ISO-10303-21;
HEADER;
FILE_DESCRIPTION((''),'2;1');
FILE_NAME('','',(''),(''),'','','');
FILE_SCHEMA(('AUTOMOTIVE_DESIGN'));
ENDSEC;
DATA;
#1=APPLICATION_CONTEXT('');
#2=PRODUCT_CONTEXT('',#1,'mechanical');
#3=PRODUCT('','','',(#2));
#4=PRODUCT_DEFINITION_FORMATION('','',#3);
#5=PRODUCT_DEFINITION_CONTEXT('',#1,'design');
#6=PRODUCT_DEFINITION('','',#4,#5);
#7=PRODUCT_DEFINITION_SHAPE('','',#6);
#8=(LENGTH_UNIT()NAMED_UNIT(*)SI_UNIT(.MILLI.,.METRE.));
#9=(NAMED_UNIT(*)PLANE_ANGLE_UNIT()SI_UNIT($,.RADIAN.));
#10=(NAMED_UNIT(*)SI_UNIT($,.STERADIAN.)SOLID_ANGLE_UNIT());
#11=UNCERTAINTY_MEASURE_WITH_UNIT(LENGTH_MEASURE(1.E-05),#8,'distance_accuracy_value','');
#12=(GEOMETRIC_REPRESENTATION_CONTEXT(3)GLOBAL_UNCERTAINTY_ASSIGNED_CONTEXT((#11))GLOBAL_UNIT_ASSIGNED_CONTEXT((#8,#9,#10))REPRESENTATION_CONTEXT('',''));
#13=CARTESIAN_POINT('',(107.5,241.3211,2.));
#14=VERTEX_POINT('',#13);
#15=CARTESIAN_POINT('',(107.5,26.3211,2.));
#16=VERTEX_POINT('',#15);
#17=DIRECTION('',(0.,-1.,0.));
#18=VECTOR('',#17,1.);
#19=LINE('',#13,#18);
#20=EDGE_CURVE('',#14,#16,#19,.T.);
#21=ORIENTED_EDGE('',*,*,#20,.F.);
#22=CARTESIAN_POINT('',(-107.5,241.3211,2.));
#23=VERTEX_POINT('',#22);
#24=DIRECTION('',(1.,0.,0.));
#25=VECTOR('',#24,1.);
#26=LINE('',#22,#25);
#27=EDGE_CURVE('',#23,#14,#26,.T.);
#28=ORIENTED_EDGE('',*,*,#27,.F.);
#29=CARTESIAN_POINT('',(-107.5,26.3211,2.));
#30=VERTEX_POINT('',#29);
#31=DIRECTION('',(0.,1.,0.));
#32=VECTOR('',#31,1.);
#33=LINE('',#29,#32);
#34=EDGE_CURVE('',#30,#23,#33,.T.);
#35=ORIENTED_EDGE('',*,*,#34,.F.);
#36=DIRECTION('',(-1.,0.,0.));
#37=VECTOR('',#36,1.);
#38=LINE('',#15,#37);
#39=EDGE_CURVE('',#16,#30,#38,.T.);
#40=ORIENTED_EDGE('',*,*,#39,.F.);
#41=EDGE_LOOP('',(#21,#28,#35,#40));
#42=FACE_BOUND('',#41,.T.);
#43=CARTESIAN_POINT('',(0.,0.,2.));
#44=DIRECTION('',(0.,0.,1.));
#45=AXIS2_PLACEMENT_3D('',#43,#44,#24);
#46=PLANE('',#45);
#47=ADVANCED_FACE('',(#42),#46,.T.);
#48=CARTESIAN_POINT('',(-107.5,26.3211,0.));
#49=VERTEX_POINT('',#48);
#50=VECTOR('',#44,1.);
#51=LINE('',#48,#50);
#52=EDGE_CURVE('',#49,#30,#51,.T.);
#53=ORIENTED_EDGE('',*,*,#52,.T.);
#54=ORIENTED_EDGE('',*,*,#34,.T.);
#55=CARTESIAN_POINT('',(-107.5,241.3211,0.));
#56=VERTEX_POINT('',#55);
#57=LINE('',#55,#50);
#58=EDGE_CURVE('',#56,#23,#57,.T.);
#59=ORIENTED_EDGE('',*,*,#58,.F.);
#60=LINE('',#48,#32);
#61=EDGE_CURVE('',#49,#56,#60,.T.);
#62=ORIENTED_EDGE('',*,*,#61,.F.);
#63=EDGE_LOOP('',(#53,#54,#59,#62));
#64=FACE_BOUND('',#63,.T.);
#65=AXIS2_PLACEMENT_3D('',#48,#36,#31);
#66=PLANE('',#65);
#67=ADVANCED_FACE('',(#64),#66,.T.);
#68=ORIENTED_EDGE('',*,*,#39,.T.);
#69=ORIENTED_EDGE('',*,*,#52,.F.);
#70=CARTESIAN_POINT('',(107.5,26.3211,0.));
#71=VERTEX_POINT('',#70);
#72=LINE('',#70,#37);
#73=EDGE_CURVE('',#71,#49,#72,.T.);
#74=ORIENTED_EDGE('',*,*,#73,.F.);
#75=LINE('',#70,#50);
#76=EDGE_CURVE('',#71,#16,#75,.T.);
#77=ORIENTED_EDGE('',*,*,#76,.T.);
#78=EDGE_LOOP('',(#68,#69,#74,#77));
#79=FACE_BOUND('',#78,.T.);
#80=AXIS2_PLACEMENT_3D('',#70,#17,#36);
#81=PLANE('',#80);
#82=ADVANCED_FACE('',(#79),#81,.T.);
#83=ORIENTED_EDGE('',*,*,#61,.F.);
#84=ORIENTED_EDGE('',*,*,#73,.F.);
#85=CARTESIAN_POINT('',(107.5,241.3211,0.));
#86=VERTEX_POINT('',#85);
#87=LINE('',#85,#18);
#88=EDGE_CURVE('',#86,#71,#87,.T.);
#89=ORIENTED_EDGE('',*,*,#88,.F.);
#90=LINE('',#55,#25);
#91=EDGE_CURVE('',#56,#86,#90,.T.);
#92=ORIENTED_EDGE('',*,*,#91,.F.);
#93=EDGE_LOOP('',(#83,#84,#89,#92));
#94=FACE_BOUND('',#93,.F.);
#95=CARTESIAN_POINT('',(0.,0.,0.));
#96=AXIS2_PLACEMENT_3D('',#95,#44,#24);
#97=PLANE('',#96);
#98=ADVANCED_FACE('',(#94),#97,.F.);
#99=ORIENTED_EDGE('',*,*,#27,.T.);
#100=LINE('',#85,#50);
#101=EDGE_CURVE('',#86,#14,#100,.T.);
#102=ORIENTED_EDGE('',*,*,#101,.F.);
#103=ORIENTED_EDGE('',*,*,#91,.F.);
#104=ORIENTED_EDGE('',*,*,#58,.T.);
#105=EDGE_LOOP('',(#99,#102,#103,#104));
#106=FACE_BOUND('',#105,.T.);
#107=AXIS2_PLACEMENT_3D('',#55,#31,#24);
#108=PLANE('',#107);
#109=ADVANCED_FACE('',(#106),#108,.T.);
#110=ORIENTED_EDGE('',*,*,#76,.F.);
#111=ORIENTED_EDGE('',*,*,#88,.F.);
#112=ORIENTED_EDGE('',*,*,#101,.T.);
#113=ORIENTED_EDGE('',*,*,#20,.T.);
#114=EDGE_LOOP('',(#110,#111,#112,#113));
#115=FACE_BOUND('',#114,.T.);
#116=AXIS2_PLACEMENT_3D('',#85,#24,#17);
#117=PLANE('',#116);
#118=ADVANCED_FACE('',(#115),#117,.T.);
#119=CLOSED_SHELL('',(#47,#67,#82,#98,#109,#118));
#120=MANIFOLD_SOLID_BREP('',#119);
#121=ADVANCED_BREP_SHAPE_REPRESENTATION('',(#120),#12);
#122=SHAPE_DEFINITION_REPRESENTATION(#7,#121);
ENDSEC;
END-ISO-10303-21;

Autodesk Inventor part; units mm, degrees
ref_plane "YZ Plane" through (0, 0, 0) normal (1, 0, 0) x (0, 1, 0)
ref_plane "XZ Plane" through (0, 0, 0) normal (0, 1, 0) x (-1, 0, 0)
ref_plane "XY Plane" through (0, 0, 0) normal (0, 0, 1) x (1, 0, 0)
sketch "Sketch1" plane through (0, 0, 0) normal (0, 0, 1) x (1, 0, 0)
  line L0 (107.5, 26.3211) -> (-107.5, 26.3211)
  line L1 (-107.5, 26.3211) -> (-107.5, 241.3211)
  line L2 (-107.5, 241.3211) -> (107.5, 241.3211)
  line L3 (107.5, 241.3211) -> (107.5, 26.3211)
  point P0 (0, 0)
  point P1 (0, 133.8211)
  dimension "d0" = 215
  dimension "d1" = 215
  dimension "d2" = 107.5
  dimension "d3" = 107.5
extrude "Extrusion1" add sketch "Sketch1" along normal blind 2
equation "\"d1\" = d0"
equation "\"d2\" = 0.5 * d1"
equation "\"d3\" = 0.5 * d0"
properties part number "heated bed"
